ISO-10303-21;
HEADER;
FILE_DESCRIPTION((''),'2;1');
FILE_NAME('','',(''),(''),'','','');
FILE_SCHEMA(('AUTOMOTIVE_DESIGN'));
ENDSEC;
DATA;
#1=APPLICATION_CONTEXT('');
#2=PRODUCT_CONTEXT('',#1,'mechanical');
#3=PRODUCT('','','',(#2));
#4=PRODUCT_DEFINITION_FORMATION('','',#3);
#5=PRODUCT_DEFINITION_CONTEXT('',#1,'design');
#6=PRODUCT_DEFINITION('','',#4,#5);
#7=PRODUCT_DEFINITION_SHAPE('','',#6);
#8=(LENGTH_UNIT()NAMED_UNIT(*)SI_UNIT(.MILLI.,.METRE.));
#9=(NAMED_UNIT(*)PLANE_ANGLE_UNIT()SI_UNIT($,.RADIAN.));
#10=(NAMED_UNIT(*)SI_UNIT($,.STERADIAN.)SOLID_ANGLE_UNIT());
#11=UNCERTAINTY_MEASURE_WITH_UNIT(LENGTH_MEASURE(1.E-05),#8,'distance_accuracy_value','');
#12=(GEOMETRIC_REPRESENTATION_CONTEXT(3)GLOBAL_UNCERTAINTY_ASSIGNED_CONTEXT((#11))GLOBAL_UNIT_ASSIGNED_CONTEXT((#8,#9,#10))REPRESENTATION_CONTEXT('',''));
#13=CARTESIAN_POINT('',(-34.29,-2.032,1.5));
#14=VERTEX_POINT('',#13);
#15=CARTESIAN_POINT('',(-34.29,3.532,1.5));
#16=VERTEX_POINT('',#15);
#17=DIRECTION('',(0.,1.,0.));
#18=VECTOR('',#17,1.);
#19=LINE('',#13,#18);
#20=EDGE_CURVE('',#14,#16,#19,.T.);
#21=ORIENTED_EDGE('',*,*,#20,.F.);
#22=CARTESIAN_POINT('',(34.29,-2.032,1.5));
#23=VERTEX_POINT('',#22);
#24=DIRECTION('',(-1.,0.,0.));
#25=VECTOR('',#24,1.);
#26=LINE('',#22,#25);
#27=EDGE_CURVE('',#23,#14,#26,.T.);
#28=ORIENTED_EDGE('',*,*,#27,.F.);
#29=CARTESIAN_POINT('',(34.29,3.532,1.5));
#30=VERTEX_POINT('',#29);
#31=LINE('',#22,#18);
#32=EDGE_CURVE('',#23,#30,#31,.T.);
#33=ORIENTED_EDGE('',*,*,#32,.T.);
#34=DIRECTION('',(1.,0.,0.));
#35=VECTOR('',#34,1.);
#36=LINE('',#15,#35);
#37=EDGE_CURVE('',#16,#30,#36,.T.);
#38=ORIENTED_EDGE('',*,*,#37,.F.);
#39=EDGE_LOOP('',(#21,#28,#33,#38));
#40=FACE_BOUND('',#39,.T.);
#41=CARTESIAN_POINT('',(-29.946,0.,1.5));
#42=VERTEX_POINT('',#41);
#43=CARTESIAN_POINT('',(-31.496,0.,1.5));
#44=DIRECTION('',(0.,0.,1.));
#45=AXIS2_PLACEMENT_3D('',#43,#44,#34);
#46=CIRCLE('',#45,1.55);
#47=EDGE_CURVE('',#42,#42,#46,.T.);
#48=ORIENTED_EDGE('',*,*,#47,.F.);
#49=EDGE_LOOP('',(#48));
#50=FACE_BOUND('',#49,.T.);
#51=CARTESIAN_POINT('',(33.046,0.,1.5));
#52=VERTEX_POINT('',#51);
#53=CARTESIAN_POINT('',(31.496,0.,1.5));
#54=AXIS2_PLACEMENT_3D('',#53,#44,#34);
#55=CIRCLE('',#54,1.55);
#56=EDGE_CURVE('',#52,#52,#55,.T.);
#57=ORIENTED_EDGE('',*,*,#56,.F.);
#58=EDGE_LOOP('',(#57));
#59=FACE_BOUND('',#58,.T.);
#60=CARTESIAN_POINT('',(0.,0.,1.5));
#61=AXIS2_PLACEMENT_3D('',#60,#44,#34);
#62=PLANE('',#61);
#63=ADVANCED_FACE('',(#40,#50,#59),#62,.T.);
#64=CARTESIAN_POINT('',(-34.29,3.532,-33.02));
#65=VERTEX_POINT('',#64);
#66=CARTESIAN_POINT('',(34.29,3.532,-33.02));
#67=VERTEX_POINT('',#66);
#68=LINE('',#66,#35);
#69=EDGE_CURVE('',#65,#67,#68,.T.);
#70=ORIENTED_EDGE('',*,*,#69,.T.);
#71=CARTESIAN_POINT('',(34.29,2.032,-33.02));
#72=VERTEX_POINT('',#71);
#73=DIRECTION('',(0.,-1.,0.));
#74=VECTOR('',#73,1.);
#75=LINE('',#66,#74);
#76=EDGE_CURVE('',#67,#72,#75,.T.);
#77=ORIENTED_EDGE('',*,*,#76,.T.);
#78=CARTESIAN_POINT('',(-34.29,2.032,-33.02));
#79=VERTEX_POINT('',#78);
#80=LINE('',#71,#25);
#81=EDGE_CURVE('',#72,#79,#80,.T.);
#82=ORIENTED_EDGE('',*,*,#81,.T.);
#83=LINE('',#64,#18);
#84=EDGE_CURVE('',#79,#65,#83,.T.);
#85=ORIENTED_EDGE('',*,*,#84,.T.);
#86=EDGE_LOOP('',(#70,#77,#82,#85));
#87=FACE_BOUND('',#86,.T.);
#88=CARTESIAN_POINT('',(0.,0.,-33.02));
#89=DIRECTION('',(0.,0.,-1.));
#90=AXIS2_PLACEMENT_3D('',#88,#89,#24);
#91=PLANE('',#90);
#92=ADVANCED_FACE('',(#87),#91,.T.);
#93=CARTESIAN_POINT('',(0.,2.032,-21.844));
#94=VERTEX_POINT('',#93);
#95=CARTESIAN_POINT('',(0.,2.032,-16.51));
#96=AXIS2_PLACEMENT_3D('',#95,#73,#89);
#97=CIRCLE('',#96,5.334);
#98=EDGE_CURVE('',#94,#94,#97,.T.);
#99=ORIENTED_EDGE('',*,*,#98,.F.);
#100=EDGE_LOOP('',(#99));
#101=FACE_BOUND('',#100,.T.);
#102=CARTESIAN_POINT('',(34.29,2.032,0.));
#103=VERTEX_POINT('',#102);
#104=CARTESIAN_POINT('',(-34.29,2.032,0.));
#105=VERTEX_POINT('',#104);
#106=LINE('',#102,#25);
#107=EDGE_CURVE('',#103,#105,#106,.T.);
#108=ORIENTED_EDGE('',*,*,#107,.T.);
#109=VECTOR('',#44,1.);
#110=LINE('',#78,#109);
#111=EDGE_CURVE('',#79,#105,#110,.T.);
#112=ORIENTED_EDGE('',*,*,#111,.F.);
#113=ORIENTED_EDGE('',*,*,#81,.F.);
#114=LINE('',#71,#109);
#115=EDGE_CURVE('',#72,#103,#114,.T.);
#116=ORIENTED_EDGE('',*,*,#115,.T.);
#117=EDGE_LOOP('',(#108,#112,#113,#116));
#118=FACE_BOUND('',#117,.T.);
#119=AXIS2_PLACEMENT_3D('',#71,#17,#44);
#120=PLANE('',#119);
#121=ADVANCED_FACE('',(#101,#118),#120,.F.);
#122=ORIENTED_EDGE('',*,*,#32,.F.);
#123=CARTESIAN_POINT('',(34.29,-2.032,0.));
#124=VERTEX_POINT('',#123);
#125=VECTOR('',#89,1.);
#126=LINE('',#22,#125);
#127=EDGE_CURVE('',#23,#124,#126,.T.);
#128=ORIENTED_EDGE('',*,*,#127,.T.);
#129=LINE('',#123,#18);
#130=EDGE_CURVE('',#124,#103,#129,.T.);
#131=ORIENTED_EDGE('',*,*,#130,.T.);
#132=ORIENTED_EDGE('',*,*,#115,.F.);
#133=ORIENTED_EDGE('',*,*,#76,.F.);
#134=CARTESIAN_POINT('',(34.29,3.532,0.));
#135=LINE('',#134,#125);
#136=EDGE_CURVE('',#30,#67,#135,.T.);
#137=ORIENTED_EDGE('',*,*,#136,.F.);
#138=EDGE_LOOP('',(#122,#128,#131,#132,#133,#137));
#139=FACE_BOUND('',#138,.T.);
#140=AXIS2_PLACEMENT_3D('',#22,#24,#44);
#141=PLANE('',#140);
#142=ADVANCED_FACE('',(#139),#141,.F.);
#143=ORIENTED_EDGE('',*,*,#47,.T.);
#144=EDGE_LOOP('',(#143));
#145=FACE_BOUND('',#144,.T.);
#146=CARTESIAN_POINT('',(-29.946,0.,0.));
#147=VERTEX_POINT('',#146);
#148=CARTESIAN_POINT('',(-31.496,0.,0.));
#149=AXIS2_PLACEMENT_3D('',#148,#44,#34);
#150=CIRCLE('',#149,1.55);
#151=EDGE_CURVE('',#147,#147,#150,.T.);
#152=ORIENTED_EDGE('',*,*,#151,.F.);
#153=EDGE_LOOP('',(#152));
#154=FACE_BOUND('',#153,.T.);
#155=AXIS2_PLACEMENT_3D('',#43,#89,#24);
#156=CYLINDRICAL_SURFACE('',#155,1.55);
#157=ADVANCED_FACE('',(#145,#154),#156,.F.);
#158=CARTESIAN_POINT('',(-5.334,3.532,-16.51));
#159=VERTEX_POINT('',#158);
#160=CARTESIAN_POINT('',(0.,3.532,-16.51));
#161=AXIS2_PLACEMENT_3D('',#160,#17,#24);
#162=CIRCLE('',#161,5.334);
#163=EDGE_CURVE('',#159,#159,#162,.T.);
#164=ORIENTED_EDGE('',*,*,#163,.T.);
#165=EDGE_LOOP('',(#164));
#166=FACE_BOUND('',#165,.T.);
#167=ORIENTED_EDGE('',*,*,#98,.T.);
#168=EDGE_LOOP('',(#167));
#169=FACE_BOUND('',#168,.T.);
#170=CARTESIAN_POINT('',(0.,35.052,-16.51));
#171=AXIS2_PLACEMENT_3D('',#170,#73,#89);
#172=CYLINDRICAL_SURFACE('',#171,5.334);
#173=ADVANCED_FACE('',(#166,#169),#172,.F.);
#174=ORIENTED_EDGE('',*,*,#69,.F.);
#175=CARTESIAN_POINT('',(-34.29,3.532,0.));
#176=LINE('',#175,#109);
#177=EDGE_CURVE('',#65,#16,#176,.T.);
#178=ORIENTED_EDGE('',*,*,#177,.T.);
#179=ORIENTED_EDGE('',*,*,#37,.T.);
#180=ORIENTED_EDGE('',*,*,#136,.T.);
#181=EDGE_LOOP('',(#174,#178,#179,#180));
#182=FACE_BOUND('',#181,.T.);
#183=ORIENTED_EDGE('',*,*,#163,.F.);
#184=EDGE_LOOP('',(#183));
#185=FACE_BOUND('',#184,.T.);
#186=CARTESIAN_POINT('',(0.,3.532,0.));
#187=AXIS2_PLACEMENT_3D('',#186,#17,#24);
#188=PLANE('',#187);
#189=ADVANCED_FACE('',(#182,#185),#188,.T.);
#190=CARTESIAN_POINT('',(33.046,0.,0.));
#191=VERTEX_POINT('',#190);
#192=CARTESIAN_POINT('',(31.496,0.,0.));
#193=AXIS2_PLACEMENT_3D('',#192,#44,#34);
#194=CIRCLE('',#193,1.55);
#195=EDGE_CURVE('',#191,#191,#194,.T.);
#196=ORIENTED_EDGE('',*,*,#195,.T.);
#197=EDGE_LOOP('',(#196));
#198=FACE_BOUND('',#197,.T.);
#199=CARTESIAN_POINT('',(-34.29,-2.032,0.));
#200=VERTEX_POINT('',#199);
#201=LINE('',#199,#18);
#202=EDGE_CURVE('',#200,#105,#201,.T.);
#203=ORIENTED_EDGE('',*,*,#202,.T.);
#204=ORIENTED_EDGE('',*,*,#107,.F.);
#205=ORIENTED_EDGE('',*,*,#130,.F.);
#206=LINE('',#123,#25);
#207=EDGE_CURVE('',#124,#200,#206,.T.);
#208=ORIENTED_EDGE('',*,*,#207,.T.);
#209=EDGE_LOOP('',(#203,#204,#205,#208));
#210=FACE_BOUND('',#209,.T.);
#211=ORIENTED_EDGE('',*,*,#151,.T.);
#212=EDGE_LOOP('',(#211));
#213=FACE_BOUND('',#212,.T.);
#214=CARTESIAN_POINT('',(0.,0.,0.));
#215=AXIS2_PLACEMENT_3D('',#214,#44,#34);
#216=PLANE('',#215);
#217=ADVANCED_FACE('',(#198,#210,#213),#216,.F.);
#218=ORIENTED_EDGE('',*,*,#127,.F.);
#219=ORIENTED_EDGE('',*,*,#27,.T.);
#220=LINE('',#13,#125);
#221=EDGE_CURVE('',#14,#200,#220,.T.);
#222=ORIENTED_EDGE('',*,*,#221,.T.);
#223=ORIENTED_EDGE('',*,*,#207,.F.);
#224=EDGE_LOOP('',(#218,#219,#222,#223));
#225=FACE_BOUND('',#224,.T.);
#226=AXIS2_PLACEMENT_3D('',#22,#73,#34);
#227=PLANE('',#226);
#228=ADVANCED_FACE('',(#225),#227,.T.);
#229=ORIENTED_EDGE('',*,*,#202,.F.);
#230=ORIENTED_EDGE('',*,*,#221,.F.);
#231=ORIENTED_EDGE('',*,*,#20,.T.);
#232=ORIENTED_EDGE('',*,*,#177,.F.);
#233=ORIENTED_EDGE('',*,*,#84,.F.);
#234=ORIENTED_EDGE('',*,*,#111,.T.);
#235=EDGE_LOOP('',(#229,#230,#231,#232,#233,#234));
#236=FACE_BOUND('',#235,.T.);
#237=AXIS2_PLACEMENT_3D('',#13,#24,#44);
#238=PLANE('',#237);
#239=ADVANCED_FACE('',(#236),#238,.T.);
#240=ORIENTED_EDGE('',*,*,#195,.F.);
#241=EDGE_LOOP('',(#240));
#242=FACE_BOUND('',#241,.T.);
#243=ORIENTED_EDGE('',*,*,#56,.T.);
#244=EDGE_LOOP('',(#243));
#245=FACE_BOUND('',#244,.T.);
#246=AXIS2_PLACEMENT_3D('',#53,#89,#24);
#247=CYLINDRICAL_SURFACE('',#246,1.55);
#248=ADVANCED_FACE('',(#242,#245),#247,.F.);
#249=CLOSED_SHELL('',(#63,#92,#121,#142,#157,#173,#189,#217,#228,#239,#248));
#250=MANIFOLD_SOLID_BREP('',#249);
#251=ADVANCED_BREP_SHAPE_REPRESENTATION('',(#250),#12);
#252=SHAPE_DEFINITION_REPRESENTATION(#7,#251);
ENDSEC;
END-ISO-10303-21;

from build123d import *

# Parameters (mm, degrees)
SKETCH_1_W          = 68.58
SKETCH_1_H          = 4.064
SKETCH_1_R          = 1.55
EXTRUDE_2_DEPTH     = 1.5
SKETCH_3_W          = 68.58
SKETCH_3_H          = 1.5
EXTRUDE_3_DEPTH     = 1.5
SKETCH_4_W          = 68.58
SKETCH_4_H          = 1.5
EXTRUDE_4_DEPTH     = 33.02
SKETCH_5_R          = 5.334
CUT_EXTRUDE_2_DEPTH = 33.02


with BuildPart() as part:
    # 草图1 → 凸台-拉伸2 (new body)
    with BuildSketch(Plane.XY):
        Rectangle(SKETCH_1_W, SKETCH_1_H)
        with Locations((31.496, 0)):
            Circle(SKETCH_1_R, mode=Mode.SUBTRACT)
        with Locations((-31.496, 0)):
            Circle(SKETCH_1_R, mode=Mode.SUBTRACT)
    extrude(amount=EXTRUDE_2_DEPTH)

    # 草图3 → 凸台-拉伸3 (add)
    with BuildSketch(Plane(origin=(0, 2.032, 0), x_dir=(1, 0, 0), z_dir=(0, 1, 0))):
        with Locations((0, -0.75)):
            Rectangle(SKETCH_3_W, SKETCH_3_H)
    extrude(amount=EXTRUDE_3_DEPTH)

    # 草图4 → 凸台-拉伸4 (add)
    with BuildSketch(Plane(origin=(0, 0, 0), x_dir=(-1, 0, 0), z_dir=(0, 0, -1))):
        with Locations((0, 2.782)):
            Rectangle(SKETCH_4_W, SKETCH_4_H)
    extrude(amount=EXTRUDE_4_DEPTH)

    # 草图5 → 切除-拉伸2 (cut)
    with BuildSketch(Plane.XZ.offset(-2.032)):
        with Locations(Location((0, -16.51, 0), (0, 0, 270))):
            Circle(SKETCH_5_R)
    extrude(amount=-CUT_EXTRUDE_2_DEPTH, mode=Mode.SUBTRACT)


solid = part.part
